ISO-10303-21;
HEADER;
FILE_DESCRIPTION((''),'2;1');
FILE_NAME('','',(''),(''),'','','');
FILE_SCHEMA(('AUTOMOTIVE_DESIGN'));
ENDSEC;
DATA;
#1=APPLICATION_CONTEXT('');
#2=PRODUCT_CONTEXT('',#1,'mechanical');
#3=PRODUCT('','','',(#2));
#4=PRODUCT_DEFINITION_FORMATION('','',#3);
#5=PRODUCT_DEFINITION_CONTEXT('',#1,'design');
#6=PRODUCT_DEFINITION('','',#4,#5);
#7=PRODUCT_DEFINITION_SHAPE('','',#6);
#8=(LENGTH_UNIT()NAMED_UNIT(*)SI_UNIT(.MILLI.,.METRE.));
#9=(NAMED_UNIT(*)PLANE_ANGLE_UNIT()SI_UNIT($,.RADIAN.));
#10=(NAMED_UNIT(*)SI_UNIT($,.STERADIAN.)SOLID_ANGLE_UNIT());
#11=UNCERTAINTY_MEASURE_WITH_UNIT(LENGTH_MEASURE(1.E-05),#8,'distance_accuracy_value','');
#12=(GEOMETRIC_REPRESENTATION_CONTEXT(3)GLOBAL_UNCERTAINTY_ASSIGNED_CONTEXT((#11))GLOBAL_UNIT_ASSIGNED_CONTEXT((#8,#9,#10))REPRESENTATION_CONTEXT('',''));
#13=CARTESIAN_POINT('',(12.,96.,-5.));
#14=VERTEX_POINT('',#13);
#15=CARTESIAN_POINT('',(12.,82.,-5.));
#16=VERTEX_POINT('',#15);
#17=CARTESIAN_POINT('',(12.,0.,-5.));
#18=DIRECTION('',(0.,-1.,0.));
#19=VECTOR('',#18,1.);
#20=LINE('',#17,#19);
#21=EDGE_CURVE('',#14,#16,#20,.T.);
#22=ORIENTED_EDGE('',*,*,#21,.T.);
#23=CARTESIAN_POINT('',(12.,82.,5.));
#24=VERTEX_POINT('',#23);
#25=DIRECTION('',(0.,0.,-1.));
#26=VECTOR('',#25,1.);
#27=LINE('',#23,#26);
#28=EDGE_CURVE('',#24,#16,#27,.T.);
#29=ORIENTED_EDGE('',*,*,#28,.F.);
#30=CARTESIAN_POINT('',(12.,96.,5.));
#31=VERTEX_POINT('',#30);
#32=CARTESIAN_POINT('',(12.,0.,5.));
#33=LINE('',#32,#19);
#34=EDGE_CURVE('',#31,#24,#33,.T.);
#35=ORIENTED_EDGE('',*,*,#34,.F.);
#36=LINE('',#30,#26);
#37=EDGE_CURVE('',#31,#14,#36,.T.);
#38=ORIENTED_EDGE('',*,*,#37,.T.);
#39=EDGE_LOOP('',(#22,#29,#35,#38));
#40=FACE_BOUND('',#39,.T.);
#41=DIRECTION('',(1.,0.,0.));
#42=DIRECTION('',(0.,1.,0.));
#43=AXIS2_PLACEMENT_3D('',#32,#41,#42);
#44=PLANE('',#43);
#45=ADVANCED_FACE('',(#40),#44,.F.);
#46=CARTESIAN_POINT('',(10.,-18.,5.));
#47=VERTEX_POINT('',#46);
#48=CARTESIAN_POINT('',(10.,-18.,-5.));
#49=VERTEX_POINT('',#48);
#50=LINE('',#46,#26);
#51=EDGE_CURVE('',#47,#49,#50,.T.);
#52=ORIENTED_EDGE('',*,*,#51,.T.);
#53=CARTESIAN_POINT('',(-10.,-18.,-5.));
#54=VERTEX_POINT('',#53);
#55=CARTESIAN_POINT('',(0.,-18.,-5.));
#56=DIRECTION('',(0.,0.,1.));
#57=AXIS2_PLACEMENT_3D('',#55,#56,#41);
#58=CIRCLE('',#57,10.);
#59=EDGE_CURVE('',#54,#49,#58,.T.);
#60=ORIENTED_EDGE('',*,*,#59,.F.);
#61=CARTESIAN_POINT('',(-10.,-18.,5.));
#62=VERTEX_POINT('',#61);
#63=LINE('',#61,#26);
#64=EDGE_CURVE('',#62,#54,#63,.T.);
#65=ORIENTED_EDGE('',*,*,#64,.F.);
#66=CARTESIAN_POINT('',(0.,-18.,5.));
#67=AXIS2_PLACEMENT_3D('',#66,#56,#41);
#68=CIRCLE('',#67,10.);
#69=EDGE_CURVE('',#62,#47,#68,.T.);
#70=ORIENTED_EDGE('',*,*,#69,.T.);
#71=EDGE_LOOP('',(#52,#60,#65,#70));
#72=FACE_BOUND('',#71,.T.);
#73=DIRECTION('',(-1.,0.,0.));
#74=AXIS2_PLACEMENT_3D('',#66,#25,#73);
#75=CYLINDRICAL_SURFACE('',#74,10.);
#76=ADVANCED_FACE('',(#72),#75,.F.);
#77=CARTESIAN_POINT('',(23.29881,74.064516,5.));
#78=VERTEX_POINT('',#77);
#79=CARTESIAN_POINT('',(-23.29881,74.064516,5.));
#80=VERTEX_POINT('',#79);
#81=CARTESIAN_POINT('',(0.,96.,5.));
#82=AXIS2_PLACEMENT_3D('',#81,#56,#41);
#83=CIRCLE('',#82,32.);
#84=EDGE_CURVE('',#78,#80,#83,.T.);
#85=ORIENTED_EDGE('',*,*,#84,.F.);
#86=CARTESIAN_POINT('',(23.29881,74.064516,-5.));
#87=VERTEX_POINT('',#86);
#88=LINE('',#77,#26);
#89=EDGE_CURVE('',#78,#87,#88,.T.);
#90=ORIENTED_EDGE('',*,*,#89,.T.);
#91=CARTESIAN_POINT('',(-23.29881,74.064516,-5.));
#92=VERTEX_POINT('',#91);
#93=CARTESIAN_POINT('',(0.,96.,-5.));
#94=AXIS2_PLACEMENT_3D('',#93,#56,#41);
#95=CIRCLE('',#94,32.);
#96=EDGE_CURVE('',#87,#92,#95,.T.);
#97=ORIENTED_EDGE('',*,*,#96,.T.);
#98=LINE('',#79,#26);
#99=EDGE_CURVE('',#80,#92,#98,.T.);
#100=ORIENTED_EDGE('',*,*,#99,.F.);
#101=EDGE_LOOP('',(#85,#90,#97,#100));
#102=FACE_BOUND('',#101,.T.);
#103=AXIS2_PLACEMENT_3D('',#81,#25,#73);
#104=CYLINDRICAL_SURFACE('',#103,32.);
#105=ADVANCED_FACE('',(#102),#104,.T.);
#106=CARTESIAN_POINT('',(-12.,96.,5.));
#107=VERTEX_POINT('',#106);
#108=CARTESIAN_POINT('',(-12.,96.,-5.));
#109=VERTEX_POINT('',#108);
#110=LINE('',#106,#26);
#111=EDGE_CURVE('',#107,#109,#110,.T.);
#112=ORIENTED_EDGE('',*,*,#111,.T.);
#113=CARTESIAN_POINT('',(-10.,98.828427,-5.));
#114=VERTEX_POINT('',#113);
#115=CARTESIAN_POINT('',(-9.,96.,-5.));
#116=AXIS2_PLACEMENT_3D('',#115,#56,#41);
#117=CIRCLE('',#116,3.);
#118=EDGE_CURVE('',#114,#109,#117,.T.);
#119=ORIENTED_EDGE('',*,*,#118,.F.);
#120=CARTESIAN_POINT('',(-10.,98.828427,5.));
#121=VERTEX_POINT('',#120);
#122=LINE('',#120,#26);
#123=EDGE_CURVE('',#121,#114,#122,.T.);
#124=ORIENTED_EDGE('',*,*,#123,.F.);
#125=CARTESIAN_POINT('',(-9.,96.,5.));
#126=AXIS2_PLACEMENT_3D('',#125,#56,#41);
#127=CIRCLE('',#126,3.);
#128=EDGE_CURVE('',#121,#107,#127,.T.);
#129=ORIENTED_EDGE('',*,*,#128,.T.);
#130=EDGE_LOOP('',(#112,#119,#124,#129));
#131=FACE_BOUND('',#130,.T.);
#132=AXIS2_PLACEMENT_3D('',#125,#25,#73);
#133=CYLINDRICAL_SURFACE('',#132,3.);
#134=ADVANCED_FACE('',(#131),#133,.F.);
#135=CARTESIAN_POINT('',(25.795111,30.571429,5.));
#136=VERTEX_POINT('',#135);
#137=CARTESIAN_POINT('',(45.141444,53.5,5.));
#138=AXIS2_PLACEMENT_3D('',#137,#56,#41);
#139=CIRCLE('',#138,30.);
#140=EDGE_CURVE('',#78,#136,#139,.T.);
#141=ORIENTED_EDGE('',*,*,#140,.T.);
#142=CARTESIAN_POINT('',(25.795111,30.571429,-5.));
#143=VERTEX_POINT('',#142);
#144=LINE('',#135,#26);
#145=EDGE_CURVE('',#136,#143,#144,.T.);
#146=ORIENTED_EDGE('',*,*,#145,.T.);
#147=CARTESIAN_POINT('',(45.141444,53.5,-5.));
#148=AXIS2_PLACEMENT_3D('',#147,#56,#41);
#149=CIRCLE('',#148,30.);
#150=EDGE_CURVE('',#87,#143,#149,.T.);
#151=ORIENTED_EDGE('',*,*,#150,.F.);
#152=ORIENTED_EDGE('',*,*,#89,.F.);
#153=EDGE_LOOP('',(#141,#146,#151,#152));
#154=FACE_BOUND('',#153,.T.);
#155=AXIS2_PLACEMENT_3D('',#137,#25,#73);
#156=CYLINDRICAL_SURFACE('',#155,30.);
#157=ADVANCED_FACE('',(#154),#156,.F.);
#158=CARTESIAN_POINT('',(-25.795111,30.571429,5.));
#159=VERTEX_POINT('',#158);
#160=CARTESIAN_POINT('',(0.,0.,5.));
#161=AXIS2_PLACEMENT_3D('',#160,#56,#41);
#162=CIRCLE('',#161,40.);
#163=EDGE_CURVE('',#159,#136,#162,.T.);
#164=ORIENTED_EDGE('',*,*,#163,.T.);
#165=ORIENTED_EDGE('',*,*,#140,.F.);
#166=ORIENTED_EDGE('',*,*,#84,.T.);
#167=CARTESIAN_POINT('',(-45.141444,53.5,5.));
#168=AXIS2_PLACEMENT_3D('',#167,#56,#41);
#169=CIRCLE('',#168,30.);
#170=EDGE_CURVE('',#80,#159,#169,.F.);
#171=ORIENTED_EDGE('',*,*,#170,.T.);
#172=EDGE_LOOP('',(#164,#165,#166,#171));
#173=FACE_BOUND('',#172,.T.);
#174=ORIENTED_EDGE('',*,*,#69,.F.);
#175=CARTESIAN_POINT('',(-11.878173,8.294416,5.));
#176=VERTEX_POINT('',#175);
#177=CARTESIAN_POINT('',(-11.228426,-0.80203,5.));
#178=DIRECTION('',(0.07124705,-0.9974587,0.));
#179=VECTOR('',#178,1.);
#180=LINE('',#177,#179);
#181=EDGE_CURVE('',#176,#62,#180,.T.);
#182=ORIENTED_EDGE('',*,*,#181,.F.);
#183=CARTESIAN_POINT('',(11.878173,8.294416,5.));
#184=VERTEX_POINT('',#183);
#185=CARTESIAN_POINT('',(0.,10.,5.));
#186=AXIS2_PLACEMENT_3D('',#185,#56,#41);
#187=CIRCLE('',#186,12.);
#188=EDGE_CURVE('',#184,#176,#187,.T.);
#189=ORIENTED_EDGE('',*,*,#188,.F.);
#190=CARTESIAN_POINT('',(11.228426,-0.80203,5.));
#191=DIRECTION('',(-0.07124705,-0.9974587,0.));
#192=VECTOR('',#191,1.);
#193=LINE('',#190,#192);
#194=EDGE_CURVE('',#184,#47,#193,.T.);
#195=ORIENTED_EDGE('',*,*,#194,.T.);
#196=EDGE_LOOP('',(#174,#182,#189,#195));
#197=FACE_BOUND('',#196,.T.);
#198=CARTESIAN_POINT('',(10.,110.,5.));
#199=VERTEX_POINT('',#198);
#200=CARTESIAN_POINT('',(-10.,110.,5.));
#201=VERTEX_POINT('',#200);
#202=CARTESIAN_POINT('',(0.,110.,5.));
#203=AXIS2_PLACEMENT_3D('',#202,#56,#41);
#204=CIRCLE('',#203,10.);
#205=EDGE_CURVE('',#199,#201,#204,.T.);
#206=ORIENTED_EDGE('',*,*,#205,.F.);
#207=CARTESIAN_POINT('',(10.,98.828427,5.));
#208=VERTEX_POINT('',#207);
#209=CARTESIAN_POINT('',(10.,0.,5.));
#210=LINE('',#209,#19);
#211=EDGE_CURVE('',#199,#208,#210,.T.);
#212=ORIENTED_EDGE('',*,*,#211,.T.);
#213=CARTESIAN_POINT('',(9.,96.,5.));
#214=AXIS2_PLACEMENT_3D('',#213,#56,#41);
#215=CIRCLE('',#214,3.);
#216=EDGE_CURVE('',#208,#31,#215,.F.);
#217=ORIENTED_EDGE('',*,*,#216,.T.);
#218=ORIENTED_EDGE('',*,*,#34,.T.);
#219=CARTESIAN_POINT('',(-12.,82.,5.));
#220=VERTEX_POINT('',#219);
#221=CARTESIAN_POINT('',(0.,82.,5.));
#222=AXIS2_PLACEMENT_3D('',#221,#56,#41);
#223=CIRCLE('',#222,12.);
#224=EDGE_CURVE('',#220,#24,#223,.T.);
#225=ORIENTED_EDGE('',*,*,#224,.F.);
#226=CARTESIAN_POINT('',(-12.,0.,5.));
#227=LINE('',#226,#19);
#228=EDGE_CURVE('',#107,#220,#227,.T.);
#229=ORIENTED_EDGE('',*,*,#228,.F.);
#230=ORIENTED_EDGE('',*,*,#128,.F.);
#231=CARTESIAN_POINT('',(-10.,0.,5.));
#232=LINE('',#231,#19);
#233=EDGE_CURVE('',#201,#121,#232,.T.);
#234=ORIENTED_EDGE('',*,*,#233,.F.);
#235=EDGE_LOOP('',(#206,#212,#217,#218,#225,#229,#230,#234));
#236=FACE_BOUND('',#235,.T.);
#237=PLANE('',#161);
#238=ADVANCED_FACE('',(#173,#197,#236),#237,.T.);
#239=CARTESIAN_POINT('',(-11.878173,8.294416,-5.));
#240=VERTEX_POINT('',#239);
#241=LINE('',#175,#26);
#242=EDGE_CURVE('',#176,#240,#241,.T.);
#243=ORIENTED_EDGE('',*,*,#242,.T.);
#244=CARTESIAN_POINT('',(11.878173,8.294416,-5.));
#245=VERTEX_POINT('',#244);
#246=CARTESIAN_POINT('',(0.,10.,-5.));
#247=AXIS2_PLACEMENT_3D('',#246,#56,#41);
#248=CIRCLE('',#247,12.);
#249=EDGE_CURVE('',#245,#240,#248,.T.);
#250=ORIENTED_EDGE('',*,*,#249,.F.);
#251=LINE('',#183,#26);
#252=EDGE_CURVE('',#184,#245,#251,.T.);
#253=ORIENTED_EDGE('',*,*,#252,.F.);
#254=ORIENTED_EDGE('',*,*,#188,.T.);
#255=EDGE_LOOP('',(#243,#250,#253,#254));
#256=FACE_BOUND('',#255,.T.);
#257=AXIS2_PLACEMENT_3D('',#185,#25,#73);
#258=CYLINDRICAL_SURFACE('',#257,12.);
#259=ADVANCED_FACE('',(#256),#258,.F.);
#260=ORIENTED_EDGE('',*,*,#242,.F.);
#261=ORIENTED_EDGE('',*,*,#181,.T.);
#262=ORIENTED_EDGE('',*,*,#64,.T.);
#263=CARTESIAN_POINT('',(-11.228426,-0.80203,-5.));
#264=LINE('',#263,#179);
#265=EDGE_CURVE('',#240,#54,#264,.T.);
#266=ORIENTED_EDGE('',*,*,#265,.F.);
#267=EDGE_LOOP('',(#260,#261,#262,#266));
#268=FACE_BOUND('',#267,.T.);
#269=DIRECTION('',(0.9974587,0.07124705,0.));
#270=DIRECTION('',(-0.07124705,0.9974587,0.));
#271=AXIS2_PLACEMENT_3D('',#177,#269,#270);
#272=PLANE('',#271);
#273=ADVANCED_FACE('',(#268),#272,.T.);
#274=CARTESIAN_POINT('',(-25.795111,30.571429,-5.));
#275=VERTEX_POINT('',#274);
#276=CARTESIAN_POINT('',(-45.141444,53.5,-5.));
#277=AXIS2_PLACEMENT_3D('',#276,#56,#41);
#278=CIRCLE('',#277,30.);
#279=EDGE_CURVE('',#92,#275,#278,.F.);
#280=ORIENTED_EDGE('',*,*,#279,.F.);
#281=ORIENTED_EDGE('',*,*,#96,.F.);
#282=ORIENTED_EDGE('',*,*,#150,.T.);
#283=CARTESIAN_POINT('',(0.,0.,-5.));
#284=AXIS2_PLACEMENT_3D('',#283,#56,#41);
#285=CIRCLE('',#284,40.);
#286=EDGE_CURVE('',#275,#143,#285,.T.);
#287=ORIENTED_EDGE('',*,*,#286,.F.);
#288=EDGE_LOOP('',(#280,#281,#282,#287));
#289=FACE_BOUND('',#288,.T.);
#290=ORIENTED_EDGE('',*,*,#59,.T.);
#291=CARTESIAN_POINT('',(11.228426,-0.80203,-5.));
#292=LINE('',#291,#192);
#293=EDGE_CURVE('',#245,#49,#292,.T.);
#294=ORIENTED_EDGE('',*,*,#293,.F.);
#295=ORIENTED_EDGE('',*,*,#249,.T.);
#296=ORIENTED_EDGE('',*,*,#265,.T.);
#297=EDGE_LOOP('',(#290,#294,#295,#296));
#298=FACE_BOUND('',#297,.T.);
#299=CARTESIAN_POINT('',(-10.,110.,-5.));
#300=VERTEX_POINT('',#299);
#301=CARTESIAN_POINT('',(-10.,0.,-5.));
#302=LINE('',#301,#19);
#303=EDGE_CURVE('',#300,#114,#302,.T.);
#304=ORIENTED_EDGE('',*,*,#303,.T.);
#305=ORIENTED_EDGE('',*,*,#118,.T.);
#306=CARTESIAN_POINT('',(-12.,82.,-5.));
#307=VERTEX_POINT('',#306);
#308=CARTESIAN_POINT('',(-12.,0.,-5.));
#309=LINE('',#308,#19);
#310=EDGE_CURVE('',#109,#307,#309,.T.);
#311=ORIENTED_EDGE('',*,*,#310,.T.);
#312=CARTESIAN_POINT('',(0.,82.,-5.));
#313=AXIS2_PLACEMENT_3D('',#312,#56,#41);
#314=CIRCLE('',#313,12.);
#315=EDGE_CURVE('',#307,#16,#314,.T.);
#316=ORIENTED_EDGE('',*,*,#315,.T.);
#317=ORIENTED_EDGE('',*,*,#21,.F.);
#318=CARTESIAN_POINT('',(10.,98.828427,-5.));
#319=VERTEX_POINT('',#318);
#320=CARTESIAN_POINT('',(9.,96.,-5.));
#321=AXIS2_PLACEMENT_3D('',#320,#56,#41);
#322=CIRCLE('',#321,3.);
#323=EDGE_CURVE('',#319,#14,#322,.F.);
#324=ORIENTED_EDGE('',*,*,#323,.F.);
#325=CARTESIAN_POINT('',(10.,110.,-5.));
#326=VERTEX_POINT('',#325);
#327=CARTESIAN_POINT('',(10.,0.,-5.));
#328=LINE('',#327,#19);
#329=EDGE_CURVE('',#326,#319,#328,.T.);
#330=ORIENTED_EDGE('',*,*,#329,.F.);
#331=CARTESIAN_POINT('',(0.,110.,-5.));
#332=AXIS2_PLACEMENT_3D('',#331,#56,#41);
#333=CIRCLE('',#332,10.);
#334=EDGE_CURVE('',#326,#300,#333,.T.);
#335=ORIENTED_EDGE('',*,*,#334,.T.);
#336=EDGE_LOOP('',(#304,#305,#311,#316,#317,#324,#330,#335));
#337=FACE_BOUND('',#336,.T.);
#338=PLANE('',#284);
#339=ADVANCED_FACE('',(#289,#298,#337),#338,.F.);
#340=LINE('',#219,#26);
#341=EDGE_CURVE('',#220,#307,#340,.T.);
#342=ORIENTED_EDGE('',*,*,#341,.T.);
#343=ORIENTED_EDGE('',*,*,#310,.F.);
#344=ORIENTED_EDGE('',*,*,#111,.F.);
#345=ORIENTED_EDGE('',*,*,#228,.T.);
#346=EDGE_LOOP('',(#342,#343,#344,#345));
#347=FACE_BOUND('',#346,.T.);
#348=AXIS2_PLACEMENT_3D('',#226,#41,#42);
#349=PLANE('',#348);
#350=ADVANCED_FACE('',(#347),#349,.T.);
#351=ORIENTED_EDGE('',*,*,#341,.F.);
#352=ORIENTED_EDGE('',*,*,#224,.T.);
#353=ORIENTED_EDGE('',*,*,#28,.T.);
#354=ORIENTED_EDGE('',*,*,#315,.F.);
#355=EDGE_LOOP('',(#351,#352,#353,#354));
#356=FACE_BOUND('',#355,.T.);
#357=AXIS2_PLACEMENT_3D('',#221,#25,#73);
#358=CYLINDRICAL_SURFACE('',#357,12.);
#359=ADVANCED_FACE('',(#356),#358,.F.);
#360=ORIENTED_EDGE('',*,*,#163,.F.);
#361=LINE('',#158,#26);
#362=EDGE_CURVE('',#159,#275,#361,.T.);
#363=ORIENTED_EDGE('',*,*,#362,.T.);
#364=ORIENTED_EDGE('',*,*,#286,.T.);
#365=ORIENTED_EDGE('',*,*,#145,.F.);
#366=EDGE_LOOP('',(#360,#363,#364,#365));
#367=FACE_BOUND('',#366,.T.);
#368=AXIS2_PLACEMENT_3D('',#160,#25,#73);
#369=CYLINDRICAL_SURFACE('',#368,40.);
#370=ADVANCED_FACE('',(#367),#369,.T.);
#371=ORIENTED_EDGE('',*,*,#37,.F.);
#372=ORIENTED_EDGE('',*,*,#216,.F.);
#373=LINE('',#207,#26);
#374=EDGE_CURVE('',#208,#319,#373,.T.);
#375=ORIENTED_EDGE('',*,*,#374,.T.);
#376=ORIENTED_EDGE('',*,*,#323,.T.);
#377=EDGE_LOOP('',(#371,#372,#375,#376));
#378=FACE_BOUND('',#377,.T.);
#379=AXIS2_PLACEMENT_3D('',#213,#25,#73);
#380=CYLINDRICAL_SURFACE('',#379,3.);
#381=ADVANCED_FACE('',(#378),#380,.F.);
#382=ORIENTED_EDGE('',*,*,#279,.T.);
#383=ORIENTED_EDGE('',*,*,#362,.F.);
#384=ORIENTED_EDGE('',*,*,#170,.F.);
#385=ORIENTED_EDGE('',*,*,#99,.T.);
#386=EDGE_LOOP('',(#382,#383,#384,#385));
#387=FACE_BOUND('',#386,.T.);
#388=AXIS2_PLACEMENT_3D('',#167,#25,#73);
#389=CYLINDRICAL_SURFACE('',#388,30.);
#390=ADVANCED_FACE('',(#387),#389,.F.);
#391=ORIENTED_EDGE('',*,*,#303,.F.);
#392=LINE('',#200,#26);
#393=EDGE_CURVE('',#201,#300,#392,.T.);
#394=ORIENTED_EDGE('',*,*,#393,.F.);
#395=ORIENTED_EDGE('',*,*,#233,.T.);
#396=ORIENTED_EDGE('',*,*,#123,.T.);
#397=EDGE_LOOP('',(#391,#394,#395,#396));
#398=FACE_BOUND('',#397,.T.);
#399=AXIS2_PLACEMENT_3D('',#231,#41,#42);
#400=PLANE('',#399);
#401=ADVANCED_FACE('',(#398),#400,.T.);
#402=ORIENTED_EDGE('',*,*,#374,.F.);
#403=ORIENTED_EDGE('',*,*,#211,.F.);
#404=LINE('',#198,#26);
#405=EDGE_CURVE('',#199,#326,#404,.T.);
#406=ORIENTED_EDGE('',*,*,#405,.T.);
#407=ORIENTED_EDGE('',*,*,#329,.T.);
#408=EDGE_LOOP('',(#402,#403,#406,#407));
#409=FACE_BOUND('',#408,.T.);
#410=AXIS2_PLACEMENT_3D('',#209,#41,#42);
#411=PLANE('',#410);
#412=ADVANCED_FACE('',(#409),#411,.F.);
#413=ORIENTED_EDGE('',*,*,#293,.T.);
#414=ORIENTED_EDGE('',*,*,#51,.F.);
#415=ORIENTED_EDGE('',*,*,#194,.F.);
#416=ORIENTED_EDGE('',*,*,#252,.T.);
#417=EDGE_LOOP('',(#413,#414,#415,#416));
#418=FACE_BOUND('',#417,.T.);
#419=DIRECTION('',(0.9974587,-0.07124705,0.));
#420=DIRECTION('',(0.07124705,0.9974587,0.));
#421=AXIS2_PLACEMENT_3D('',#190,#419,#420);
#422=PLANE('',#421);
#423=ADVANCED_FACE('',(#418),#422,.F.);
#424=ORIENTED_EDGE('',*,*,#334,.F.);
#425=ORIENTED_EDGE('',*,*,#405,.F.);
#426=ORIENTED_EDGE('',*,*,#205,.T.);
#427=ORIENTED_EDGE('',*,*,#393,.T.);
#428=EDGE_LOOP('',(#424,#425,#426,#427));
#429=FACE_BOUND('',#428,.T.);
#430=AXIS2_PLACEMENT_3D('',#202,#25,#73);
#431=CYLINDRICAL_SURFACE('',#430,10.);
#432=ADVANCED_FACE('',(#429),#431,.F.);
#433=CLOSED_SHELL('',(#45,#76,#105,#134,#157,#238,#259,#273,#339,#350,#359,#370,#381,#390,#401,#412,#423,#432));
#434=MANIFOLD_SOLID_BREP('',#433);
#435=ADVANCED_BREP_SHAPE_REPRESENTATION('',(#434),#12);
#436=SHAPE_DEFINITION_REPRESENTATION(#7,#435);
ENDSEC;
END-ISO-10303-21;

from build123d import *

# Parameters (mm, degrees)
BOSS_EXTRUDE1_DEPTH = 5


with BuildPart() as part:
    # Sketch1 → Boss-Extrude1 (new, symmetric)
    # profile 1 of 2: a face of its own
    with BuildSketch(Plane.XY):
        with BuildLine():
            ThreePointArc((23.298809999, 74.064516129), (29.376312637, 108.689848536), (1.88e-07, 128))
            ThreePointArc((1.88e-07, 128), (-29.376312562, 108.689848709), (-23.298809999, 74.064516129))
            ThreePointArc((-23.298809999, 74.064516129), (-15.190736019, 51.78096855), (-25.79511107, 30.571428571))
            ThreePointArc((-25.79511107, 30.571428571), (0, -40), (25.79511107, 30.571428571))
            ThreePointArc((25.79511107, 30.571428571), (15.190736019, 51.78096855), (23.298809999, 74.064516129))
        make_face()
        with BuildLine():
            ThreePointArc((-11.878172589, 8.294416244), (-11.969504398, 9.1450354), (-12, 10))
            ThreePointArc((-12, 10), (0, 22), (12, 10))
            ThreePointArc((12, 10), (11.969504398, 9.1450354), (11.878172589, 8.294416244))
            Line((11.878172589, 8.294416244), (10, -18))
            ThreePointArc((10, -18), (0, -28), (-10, -18))
            Line((-10, -18), (-11.878172589, 8.294416244))
        make_face(mode=Mode.SUBTRACT)
        with BuildLine():
            ThreePointArc((22, 82), (0, 60), (-22, 82))
            Line((-22, 82), (-22, 106))
            ThreePointArc((-22, 106), (-15.55634912, 121.556349253), (1.88e-07, 128))
            ThreePointArc((1.88e-07, 128), (15.556349253, 121.55634912), (22, 106))
            Line((22, 106), (22, 82))
        make_face(mode=Mode.SUBTRACT)
    # profile 2 of 2: a face of its own
    with BuildSketch(Plane.XY):
        with BuildLine():
            Line((22, 82), (22, 106))
            ThreePointArc((22, 106), (0, 128), (-22, 106))
            Line((-22, 106), (-22, 82))
            ThreePointArc((-22, 82), (0, 60), (22, 82))
        make_face()
        with BuildLine():
            Line((10, 110), (10, 98.828427125))
            ThreePointArc((10, 98.828427125), (11.449489743, 97.732050808), (12, 96))
            Line((12, 96), (12, 82))
            ThreePointArc((12, 82), (0, 70), (-12, 82))
            Line((-12, 82), (-12, 96))
            ThreePointArc((-12, 96), (-11.449489743, 97.732050808), (-10, 98.828427125))
            Line((-10, 98.828427125), (-10, 110))
            ThreePointArc((-10, 110), (0, 120), (10, 110))
        make_face(mode=Mode.SUBTRACT)
    extrude(amount=BOSS_EXTRUDE1_DEPTH, both=True)


solid = part.part
